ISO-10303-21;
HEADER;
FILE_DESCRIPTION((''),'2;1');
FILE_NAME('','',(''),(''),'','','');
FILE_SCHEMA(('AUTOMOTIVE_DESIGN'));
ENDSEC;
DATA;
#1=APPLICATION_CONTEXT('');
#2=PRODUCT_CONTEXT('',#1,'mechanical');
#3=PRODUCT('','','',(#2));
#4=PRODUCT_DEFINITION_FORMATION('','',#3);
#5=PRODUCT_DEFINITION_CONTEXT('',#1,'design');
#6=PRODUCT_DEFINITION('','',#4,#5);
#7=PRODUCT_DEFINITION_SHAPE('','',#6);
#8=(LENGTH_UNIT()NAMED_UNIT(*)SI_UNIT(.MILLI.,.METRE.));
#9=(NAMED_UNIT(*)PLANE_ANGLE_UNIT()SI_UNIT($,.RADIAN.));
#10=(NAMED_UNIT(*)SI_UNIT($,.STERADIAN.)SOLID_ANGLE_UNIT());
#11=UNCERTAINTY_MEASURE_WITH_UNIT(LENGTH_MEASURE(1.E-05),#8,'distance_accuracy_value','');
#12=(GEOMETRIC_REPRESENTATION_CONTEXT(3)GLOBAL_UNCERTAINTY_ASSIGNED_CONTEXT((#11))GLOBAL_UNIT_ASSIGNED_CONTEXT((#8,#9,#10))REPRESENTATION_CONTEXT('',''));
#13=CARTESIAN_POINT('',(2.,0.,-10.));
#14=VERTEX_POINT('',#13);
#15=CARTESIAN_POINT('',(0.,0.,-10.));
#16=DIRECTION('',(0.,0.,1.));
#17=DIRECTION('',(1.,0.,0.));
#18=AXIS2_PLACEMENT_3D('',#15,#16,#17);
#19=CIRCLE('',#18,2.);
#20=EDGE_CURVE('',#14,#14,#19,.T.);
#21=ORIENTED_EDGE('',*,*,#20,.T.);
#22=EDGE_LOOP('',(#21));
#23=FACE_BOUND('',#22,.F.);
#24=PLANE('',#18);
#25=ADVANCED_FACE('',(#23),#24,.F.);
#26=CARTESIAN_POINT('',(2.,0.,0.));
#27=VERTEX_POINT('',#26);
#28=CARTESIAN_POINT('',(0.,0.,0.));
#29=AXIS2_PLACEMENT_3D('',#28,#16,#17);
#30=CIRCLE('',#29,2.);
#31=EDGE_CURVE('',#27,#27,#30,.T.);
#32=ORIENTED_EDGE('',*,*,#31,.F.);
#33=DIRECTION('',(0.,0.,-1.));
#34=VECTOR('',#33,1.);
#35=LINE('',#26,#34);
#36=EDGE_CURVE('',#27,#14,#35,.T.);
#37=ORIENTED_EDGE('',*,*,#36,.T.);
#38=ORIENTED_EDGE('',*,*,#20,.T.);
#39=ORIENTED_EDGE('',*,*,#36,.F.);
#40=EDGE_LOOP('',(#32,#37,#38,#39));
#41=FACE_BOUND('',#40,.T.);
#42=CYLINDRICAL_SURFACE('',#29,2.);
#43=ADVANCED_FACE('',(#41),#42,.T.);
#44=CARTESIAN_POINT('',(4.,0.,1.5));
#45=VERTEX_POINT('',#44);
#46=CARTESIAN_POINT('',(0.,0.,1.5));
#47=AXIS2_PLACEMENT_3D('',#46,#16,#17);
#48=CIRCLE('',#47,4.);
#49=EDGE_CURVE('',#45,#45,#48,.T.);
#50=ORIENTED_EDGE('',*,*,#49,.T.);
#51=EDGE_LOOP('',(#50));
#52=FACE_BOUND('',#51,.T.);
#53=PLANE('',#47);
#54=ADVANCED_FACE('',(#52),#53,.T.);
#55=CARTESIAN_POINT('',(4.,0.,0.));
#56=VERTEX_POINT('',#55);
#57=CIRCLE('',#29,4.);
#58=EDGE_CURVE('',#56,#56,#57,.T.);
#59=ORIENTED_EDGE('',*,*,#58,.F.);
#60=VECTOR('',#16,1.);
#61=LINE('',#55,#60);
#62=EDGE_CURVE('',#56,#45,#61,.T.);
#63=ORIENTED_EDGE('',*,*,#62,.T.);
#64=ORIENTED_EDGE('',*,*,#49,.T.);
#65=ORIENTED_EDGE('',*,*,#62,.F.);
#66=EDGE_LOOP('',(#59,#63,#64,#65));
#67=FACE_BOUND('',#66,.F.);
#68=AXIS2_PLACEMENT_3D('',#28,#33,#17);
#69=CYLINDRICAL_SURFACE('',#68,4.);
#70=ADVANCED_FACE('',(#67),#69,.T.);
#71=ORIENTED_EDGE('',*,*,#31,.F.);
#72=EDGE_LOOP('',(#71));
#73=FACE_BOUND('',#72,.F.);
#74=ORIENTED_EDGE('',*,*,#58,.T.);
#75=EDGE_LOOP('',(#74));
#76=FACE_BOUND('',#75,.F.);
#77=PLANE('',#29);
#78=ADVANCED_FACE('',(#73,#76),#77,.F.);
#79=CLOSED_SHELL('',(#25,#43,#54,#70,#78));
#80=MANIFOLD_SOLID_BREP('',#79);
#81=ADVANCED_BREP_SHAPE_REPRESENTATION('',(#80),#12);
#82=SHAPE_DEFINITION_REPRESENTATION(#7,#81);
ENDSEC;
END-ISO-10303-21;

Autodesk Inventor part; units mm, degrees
ref_plane "YZ Plane" through (0, 0, 0) normal (1, 0, 0) x (0, 1, 0)
ref_plane "XZ Plane" through (0, 0, 0) normal (0, 1, 0) x (-1, 0, 0)
ref_plane "XY Plane" through (0, 0, 0) normal (0, 0, 1) x (1, 0, 0)
sketch "スケッチ1" plane through (0, 0, 0) normal (0, 0, 1) x (1, 0, 0)
  circle A0 centre (0, 0) radius 4
  circle A1 centre (0, 0) radius 2
  dimension "d0" = 8
  dimension "d1" = 4
extrude "押し出し1" add sketch "スケッチ1" along normal blind 1.5 contours A0 | A1
extrude "押し出し2" add sketch "スケッチ1" against normal blind 10 contours A1
properties part number "M4 六角穴付き ローヘッドキャップ (極低頭タイプ) L10" material "鋼、炭素鋼"
